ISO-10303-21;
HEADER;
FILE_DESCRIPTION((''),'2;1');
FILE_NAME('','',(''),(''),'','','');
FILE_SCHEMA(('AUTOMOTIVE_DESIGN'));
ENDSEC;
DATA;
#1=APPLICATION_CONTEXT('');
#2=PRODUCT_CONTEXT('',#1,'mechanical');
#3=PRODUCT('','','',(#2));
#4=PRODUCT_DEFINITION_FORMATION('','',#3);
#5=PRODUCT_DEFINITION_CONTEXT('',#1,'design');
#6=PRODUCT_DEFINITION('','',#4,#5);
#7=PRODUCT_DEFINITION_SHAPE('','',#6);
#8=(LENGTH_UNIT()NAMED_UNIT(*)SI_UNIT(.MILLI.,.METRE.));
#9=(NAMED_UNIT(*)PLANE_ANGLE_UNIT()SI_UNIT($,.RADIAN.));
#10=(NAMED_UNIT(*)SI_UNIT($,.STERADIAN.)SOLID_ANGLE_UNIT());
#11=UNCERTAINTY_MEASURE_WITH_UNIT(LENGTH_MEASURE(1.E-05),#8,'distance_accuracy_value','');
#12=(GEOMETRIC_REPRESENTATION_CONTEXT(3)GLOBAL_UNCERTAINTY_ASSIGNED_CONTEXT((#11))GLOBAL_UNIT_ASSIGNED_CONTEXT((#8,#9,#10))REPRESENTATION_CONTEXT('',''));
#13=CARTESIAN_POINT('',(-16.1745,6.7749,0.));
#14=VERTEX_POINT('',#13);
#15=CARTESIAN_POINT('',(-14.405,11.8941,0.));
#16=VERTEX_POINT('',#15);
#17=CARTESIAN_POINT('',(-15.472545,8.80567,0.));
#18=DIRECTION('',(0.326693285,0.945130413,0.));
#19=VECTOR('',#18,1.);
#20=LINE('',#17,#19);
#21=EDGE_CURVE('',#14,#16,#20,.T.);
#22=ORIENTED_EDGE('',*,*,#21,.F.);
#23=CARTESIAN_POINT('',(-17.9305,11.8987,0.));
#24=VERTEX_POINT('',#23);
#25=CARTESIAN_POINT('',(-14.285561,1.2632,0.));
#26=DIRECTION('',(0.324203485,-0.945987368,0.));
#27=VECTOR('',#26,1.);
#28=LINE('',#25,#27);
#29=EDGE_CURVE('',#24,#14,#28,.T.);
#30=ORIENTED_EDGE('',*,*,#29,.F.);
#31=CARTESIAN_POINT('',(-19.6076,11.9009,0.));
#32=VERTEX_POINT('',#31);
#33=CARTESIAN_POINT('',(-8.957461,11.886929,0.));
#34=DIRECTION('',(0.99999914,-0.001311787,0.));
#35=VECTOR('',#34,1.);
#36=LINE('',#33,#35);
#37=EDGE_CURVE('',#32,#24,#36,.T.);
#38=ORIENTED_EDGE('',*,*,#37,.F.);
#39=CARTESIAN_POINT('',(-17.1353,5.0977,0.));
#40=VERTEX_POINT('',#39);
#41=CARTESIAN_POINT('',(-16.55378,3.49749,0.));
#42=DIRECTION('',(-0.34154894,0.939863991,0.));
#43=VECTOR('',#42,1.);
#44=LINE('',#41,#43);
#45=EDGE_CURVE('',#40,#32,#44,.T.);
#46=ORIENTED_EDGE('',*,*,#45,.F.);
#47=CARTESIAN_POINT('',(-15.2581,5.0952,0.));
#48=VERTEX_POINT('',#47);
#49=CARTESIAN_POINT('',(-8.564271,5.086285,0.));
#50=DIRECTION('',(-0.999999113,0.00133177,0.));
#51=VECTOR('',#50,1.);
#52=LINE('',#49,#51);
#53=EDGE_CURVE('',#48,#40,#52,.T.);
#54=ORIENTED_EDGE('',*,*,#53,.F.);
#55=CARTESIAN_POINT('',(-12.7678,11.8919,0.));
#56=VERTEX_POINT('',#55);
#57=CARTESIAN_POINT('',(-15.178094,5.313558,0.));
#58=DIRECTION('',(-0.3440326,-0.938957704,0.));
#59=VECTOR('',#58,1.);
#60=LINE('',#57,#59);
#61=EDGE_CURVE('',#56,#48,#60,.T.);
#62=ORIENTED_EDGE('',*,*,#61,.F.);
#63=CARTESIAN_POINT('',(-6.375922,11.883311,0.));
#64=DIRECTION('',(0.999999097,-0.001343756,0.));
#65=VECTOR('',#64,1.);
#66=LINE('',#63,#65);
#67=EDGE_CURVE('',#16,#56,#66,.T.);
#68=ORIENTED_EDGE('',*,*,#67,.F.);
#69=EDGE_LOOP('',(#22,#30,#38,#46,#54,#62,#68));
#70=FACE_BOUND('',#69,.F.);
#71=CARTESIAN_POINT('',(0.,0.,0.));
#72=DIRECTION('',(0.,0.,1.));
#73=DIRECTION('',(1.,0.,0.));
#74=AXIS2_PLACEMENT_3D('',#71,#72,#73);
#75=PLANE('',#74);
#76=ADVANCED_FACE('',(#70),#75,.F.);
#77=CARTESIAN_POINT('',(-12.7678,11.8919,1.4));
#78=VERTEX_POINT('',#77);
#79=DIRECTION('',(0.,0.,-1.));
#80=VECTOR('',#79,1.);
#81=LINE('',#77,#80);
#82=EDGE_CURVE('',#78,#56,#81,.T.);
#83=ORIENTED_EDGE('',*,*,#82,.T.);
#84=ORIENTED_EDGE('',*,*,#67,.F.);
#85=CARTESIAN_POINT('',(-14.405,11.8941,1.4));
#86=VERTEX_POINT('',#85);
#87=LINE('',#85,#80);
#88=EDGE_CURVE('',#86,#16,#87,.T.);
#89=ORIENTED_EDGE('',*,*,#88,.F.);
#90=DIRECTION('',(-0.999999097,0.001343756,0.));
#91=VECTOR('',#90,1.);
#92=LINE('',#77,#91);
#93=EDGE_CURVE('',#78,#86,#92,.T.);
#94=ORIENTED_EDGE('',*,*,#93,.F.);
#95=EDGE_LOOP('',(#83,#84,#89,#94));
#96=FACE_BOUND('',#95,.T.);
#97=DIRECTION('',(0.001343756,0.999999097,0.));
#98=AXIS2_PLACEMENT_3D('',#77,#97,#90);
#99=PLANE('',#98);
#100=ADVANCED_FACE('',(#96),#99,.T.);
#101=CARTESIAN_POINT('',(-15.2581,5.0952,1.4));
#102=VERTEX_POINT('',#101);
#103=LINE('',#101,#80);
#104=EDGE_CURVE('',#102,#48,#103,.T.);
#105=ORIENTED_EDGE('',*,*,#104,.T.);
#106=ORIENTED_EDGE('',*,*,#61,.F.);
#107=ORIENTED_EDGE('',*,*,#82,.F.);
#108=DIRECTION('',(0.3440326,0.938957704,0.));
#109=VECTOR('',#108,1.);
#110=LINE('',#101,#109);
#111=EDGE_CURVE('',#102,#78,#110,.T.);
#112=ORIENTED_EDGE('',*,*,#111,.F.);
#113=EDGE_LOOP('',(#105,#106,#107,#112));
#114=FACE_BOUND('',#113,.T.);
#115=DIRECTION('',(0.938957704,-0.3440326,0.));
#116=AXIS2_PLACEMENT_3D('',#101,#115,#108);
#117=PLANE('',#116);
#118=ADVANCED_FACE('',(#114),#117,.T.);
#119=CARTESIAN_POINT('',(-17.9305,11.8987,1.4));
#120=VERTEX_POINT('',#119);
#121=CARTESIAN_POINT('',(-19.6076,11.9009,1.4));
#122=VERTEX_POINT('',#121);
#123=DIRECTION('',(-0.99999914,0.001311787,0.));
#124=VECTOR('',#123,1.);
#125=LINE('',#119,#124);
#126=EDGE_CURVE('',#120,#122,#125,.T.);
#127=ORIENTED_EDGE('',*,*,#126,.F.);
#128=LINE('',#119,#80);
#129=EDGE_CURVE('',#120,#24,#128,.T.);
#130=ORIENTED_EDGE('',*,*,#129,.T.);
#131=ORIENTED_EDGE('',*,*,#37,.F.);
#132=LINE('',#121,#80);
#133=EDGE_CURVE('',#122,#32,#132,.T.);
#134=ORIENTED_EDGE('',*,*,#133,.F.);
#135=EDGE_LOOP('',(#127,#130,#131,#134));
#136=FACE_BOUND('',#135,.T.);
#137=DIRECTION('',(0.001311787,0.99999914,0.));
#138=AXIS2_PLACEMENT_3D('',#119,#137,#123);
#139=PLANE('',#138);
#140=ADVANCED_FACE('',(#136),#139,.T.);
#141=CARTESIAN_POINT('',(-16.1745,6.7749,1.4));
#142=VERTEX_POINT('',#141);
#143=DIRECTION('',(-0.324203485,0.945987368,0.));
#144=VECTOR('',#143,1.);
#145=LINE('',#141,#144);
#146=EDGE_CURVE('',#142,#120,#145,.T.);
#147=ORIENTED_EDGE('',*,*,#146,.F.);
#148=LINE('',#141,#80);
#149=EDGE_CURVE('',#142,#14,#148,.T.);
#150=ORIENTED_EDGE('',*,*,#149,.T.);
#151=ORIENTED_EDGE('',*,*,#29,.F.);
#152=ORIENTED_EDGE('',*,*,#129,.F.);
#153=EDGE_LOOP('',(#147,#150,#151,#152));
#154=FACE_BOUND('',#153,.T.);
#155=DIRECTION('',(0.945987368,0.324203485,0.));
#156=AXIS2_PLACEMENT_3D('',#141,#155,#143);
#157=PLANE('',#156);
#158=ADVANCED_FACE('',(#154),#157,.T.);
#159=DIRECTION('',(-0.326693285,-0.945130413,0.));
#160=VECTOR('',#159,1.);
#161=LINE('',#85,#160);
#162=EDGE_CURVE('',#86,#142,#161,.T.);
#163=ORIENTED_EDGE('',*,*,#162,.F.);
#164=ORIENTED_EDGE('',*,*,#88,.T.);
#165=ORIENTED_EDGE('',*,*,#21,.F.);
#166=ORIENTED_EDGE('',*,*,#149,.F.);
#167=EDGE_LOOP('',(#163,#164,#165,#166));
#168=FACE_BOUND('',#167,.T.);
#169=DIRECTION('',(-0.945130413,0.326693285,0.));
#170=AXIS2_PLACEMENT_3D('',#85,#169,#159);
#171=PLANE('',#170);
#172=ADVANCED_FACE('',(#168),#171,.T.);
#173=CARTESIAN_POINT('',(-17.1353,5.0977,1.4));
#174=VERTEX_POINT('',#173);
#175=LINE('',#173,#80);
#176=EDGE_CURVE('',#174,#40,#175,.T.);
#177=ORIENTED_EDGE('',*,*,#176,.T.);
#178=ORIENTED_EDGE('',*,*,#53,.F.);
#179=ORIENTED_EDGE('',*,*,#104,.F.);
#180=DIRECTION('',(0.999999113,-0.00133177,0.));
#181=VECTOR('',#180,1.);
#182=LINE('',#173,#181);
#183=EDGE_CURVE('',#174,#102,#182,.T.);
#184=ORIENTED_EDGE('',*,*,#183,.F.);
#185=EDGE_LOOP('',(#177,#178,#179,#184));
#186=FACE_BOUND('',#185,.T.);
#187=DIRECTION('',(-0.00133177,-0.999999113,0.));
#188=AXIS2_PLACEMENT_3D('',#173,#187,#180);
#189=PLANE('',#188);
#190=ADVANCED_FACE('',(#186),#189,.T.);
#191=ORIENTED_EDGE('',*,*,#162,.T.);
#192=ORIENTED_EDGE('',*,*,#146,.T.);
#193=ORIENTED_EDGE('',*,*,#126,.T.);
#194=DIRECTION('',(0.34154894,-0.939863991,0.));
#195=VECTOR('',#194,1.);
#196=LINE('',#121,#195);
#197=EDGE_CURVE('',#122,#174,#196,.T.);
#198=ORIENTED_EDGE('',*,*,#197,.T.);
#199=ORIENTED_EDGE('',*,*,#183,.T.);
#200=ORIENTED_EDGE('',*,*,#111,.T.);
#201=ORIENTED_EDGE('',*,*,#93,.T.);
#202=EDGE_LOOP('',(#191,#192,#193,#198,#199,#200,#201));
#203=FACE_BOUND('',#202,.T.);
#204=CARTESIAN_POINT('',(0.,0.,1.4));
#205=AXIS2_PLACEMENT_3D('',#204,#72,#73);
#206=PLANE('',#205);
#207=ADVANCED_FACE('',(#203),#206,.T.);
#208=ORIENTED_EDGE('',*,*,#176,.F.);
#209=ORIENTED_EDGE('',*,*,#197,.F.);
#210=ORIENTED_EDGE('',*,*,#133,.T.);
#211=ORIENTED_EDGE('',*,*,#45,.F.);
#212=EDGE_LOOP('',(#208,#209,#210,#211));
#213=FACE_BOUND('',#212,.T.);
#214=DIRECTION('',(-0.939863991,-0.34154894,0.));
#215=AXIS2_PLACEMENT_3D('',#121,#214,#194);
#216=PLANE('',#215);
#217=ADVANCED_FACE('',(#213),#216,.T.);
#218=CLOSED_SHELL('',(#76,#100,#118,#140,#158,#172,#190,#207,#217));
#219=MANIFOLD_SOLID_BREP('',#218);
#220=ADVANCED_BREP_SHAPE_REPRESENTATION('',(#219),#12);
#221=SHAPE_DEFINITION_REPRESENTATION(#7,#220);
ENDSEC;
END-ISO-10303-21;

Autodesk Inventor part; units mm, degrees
ref_plane "YZ Plane" through (0, 0, 0) normal (1, 0, 0) x (0, 1, 0)
ref_plane "XZ Plane" through (0, 0, 0) normal (0, 1, 0) x (-1, 0, 0)
ref_plane "XY Plane" through (0, 0, 0) normal (0, 0, 1) x (1, 0, 0)
sketch "Sketch1" plane through (0, 0, 0) normal (0, 0, 1) x (1, 0, 0)
  line L0 (-20, -20) -> (20, -20)
  line L1 (20, -20) -> (20, 20)
  line L2 (20, 20) -> (-20, 20)
  line L3 (-20, 20) -> (-20, -20)
  line L4 (-20, 0) -> (20, 0) construction
  line L5 (0, -28) -> (0, 28) construction
  line L6 (-28, 0) -> (28, 0) construction
  point P0 (0, 0)
  dimension "d0" = 40
extrude "Extrusion1" add sketch "Sketch1" along normal blind 1.4
sketch "Sketch2" plane through (0, 0, 1.4) normal (0, 0, 1) x (1, 0, 0)
  line L0 (20, -20) -> (20, 20) projected
  line L1 (20, 20) -> (-20, 20) projected
  line L2 (-20, 20) -> (-20, -20) projected
  line L3 (-20, -20) -> (20, -20) projected
  line L4 (-17.2054, 4.9978) -> (-19.7504, 12.0011) construction
  line L5 (-19.7504, 12.0011) -> (-17.859, 11.9986) construction
  line L6 (-17.859, 11.9986) -> (-16.1741, 7.0821) construction
  line L7 (-16.1741, 7.0821) -> (-14.4762, 11.9942) construction
  line L8 (-14.4762, 11.9942) -> (-12.6247, 11.9918) construction
  line L9 (-12.6247, 11.9918) -> (-15.1882, 4.9951) construction
  line L10 (-15.1882, 4.9951) -> (-17.2054, 4.9978) construction
  line L11 (-16.1745, 6.7749) -> (-17.9305, 11.8987)
  line L12 (-17.9305, 11.8987) -> (-19.6076, 11.9009)
  line L13 (-19.6076, 11.9009) -> (-17.1353, 5.0977)
  line L14 (-17.1353, 5.0977) -> (-15.2581, 5.0952)
  line L15 (-15.2581, 5.0952) -> (-12.7678, 11.8919)
  line L16 (-12.7678, 11.8919) -> (-14.405, 11.8941)
  line L17 (-14.405, 11.8941) -> (-16.1745, 6.7749)
  point P0 (0, 0)
  dimension "d3" = 0.1
extrude "Extrusion2" cut sketch "Sketch2" against normal up to next
properties part number "V_letter"
